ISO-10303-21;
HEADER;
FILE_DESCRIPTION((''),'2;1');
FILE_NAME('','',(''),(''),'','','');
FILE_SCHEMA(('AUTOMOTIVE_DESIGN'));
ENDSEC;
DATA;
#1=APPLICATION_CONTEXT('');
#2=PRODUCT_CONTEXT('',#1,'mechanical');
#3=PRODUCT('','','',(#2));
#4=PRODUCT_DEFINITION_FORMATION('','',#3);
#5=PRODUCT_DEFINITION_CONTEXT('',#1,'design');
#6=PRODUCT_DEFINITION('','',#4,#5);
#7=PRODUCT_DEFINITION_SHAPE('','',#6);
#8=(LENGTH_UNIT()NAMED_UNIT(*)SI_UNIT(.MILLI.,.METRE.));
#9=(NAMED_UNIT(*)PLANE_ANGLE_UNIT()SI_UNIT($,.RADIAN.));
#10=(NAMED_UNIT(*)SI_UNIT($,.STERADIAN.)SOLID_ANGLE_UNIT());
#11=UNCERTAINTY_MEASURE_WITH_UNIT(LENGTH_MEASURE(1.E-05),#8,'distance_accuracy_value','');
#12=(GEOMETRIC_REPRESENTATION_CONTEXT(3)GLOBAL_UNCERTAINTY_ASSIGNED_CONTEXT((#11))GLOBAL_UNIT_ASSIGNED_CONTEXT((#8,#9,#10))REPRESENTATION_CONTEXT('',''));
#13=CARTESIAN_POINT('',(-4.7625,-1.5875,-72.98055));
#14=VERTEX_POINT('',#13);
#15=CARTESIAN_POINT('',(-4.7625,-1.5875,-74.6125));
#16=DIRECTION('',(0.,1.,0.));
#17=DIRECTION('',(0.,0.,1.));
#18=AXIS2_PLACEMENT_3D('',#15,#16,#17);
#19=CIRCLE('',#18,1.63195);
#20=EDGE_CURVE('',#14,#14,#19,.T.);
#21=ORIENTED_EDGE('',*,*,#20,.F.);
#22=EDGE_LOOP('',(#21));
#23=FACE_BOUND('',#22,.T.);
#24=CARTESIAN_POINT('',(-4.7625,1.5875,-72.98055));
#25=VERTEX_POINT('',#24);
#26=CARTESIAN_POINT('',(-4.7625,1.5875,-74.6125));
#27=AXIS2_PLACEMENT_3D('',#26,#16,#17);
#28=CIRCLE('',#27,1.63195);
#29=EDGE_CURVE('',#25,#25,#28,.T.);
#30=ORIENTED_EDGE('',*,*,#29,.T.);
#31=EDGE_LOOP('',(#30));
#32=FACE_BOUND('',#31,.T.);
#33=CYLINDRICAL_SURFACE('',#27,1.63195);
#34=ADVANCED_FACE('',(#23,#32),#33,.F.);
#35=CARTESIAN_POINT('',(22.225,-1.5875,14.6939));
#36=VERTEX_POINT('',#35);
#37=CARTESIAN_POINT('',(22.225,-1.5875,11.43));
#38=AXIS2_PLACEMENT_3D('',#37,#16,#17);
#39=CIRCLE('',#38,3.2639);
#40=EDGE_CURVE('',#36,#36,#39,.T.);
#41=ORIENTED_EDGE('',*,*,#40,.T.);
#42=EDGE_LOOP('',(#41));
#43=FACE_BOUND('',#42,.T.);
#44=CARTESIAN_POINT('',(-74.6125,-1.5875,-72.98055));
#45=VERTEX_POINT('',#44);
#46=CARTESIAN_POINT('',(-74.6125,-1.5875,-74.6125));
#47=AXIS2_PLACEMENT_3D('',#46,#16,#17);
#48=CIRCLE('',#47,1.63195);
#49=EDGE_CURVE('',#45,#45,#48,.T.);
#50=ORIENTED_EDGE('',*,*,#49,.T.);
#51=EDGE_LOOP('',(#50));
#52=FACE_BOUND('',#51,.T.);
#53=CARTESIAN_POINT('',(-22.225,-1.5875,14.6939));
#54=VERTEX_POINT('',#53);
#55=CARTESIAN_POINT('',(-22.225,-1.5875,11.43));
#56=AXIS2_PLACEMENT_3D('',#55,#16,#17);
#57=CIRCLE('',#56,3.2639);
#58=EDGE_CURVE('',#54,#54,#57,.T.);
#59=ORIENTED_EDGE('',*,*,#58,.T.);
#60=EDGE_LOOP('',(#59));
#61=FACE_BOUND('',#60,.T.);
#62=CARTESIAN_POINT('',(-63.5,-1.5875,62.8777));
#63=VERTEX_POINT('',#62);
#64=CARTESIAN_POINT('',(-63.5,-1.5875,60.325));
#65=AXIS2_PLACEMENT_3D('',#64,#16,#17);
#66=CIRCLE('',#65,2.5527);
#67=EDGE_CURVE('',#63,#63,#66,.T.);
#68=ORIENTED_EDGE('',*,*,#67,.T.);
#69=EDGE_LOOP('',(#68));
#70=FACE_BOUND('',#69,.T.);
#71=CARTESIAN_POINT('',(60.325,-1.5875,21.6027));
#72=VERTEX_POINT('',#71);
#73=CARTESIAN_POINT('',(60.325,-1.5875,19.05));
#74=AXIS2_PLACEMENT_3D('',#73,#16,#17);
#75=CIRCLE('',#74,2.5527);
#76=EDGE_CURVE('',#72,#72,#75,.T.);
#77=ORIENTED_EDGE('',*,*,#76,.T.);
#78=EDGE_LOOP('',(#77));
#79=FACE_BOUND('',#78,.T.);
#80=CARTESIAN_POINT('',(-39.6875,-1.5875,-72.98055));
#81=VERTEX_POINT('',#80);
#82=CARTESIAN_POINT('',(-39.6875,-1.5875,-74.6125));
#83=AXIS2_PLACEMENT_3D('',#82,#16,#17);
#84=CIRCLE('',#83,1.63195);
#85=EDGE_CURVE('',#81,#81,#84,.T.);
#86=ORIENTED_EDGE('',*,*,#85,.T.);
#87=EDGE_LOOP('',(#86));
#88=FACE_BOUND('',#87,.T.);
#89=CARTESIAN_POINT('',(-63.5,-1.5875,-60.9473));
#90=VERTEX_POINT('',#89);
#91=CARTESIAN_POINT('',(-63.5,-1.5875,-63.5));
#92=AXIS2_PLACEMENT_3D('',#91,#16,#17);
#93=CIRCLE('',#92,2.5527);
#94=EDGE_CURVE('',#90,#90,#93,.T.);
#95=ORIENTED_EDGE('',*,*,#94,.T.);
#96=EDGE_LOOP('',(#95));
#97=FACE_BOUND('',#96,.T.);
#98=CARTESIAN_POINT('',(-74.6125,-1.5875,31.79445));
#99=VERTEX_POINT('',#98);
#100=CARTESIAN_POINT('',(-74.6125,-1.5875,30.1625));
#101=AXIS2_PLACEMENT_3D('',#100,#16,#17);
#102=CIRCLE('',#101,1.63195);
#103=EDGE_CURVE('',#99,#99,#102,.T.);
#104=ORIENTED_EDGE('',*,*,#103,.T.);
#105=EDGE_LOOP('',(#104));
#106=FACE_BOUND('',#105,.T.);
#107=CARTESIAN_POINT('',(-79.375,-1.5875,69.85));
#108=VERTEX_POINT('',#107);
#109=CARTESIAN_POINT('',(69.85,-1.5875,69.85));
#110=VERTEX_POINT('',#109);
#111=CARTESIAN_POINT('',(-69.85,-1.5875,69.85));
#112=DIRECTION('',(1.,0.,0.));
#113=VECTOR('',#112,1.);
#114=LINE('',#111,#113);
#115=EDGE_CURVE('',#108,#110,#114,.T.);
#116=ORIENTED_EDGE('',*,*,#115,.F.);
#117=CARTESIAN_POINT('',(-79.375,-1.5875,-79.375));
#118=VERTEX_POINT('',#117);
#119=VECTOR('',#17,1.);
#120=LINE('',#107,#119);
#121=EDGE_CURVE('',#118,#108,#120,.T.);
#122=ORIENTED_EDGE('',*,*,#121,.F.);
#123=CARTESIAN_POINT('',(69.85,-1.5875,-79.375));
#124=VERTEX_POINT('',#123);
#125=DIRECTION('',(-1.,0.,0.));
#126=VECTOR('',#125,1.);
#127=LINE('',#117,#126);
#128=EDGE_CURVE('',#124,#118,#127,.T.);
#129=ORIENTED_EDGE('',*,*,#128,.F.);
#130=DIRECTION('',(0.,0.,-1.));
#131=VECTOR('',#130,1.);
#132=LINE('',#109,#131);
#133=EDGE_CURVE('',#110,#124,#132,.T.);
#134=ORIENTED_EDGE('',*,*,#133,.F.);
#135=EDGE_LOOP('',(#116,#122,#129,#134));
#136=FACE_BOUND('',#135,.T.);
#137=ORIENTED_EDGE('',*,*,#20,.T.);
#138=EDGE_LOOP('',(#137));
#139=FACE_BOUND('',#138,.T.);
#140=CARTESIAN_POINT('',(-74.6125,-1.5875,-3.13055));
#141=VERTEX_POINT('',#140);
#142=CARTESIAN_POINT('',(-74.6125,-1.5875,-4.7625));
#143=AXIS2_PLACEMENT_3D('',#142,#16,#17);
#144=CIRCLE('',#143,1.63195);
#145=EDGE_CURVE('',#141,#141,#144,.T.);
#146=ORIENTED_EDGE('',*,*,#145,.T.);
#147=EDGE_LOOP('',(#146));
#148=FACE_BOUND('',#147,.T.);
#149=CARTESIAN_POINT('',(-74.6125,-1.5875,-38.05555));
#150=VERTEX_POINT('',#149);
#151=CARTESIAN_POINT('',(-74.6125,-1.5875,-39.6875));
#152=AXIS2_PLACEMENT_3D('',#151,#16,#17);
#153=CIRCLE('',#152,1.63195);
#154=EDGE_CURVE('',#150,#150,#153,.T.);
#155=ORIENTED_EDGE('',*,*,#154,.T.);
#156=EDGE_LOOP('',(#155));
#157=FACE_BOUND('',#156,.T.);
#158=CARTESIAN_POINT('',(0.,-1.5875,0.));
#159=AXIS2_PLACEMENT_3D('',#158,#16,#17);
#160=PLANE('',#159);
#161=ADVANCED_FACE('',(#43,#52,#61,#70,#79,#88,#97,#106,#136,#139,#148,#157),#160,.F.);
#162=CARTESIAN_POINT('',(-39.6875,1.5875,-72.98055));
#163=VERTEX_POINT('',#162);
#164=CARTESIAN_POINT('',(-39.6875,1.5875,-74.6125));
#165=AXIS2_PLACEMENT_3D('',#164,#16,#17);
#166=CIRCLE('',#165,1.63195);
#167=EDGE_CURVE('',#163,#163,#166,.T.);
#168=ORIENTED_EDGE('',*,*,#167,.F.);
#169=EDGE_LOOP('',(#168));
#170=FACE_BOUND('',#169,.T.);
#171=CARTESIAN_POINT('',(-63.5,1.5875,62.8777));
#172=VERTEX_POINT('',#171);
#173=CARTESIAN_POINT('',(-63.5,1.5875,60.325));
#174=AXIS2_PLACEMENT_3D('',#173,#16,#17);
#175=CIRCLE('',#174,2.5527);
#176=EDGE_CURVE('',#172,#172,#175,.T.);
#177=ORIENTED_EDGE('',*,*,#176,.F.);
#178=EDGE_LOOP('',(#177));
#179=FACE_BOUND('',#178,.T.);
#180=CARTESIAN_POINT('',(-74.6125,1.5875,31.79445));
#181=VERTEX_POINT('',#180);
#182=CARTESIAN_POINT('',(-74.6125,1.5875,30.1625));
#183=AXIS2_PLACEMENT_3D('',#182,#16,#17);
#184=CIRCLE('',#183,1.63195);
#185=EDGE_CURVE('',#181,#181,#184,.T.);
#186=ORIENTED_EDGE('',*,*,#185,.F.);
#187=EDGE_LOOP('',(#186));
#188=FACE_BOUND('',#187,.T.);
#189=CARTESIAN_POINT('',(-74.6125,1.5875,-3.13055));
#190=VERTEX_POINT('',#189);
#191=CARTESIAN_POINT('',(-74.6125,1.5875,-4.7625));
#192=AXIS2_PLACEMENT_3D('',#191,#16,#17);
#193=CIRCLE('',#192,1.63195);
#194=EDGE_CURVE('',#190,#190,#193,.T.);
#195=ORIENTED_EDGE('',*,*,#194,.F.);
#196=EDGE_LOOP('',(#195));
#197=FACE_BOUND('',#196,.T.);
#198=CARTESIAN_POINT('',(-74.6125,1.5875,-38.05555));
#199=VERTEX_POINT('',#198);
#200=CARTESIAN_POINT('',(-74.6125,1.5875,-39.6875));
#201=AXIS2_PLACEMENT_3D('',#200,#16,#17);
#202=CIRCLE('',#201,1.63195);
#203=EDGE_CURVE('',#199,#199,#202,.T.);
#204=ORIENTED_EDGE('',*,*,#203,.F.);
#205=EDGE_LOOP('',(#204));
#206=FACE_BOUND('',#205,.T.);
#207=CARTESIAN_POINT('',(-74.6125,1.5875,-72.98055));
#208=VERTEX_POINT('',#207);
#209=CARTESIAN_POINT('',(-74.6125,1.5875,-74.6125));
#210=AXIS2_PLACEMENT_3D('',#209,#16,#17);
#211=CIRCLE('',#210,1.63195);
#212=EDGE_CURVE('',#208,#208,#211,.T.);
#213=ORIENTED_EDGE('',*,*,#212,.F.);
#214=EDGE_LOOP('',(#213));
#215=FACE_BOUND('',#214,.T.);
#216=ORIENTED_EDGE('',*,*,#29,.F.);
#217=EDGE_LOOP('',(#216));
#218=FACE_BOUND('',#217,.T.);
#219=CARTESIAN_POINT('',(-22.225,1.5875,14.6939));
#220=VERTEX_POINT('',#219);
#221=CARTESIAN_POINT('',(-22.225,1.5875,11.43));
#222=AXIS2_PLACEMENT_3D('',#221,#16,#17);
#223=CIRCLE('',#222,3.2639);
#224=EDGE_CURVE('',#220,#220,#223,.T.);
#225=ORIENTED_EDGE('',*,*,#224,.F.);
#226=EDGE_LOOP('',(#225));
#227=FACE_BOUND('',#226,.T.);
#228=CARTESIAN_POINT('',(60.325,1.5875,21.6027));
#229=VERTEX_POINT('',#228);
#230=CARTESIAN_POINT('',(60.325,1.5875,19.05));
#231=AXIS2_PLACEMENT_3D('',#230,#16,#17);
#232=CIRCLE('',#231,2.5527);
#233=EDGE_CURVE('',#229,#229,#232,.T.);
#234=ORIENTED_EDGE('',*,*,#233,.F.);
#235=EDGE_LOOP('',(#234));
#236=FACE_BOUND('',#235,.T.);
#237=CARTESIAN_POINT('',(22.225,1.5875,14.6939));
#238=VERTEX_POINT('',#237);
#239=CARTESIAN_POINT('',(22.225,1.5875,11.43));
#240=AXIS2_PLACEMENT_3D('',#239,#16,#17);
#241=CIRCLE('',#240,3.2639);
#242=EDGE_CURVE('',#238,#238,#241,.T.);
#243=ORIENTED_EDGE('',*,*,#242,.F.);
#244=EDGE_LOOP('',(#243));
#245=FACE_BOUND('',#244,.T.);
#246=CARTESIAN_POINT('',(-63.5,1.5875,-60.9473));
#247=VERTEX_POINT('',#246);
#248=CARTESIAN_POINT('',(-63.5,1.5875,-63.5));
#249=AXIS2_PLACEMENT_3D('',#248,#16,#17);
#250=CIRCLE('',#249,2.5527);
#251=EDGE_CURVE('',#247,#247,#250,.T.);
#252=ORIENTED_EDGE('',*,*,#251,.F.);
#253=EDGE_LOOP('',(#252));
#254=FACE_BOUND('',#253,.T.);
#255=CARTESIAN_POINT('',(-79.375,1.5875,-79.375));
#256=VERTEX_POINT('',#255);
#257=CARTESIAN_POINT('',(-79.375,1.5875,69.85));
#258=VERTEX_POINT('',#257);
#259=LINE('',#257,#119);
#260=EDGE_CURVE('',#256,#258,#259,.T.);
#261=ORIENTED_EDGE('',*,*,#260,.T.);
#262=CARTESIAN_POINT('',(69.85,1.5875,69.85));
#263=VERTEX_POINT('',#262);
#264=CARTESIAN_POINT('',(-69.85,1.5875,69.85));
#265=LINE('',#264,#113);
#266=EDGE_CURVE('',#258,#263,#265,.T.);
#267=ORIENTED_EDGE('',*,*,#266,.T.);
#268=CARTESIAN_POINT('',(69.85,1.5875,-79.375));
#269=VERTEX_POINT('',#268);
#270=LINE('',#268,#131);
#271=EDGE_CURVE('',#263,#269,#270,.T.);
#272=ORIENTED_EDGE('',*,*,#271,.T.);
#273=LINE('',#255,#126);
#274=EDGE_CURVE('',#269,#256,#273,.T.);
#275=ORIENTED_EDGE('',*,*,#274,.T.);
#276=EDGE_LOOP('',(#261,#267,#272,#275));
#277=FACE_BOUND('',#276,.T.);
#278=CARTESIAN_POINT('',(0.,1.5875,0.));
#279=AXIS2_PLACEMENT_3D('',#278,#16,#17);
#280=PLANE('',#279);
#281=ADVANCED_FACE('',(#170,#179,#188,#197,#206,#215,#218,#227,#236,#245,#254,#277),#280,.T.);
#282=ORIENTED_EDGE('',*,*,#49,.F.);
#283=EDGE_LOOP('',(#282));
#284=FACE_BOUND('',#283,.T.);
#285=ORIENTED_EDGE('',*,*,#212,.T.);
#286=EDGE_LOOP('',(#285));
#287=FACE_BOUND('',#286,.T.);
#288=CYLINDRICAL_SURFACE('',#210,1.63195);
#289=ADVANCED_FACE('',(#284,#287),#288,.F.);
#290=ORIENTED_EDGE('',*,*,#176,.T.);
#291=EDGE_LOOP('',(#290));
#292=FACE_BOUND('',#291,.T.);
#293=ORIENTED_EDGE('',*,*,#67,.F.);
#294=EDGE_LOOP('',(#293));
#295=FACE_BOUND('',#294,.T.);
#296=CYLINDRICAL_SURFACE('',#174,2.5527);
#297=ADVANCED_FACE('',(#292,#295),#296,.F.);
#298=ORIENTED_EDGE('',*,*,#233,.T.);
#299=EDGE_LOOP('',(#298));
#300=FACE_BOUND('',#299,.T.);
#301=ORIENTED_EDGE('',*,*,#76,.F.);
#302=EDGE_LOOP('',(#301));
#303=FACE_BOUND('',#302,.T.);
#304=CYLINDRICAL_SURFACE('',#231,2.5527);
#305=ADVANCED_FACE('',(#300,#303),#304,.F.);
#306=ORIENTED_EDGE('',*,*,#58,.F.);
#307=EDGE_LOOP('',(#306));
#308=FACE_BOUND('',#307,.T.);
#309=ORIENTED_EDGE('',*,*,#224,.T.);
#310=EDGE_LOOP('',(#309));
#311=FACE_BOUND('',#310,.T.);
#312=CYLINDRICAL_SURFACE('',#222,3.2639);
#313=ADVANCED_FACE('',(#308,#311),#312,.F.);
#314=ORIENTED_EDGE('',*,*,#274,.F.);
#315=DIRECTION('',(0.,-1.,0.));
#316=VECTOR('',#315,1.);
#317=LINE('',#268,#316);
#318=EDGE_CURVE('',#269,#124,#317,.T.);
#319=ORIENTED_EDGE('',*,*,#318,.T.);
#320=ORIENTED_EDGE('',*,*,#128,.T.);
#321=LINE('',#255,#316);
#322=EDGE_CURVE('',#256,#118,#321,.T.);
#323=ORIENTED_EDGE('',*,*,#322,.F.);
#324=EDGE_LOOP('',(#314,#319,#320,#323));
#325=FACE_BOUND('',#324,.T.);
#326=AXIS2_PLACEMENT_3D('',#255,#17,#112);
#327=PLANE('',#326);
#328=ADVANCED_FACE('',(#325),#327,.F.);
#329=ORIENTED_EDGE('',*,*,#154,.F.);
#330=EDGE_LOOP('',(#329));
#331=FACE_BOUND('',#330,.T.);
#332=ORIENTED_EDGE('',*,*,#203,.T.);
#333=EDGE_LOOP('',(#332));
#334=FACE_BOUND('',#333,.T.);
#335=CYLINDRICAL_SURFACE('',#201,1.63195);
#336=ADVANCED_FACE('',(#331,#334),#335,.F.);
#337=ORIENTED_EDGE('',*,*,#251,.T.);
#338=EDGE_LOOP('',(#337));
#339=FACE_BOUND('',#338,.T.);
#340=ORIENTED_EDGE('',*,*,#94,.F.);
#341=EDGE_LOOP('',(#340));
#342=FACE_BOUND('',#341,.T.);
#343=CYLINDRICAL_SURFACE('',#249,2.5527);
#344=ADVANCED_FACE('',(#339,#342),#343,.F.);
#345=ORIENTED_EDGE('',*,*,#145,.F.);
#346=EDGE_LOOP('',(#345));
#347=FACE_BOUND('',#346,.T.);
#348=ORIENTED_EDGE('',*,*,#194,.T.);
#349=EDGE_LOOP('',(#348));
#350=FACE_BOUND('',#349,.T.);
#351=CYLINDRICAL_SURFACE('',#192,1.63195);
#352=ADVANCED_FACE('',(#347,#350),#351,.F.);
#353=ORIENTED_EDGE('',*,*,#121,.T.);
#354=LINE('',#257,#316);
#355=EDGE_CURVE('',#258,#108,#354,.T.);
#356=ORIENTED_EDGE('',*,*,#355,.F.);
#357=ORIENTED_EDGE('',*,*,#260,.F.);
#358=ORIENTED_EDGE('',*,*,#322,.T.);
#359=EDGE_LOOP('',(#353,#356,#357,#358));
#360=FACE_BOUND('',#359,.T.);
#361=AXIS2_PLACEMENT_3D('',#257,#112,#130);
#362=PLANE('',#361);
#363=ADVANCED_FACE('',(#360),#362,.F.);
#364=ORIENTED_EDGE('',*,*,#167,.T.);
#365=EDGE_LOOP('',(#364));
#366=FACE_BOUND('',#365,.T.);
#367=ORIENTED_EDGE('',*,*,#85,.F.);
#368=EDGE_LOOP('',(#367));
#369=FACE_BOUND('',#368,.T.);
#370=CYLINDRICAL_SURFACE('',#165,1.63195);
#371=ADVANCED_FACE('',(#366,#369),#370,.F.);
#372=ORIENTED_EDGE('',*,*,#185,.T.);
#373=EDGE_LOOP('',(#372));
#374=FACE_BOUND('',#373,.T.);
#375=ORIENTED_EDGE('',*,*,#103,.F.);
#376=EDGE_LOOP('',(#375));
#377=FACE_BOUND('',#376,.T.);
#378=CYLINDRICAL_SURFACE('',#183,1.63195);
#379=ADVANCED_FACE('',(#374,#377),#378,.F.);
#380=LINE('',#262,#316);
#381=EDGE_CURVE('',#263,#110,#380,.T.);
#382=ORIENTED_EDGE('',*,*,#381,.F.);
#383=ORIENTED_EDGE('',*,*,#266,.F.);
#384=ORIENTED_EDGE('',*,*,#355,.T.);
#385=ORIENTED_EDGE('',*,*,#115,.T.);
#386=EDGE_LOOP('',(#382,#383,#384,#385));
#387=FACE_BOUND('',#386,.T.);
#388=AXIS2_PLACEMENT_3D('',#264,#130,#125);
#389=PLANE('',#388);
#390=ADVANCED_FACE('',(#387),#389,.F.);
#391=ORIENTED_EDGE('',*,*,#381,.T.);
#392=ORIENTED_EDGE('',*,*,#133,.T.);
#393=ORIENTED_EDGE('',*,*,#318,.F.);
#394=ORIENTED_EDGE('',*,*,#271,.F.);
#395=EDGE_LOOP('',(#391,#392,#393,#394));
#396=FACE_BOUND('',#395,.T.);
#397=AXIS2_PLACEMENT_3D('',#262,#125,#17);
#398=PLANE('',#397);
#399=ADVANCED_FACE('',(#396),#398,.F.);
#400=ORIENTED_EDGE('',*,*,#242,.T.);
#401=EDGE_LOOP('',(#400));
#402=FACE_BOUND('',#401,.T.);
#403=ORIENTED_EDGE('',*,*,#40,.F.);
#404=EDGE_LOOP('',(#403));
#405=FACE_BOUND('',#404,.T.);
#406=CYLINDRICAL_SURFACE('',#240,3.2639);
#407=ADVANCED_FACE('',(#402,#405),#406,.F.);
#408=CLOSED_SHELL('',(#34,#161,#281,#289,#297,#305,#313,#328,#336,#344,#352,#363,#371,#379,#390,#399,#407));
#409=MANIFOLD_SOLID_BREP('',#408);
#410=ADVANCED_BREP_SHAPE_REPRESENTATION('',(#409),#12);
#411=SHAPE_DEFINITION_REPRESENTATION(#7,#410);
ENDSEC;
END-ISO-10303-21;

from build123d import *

# Parameters (mm, degrees)
BOSS_EXTRUDE1_DEPTH     = 1.5875
F_4_CLEARANCE_HOLE1_D   = 3.2639
F_10_CLEARANCE_HOLE1_D  = 5.1054
F_1_4_CLEARANCE_HOLE1_D = 6.5278


with BuildPart() as part:
    # Sketch1 → Boss-Extrude1 (new, symmetric)
    with BuildSketch(Plane(origin=(0, 0, 0), x_dir=(1, 0, 0), z_dir=(0, 1, 0))):
        Polygon((-69.85, -69.85), (-79.375, -69.85), (-79.375, 79.375), (69.85, 79.375), (69.85, 69.85), (69.85, -69.85), align=None)
    extrude(amount=BOSS_EXTRUDE1_DEPTH, both=True)

    # #4 Clearance Hole1 (through all)
    with Locations(Plane(origin=(0, 1.5875, 0), x_dir=(1, 0, 0), z_dir=(0, 1, 0))):
        with Locations((-74.6125, 4.7625), (-74.6125, 39.6875), (-74.6125, 74.6125), (-39.6875, 74.6125), (-4.7625, 74.6125), (-74.6125, -30.1625)):
            Hole(F_4_CLEARANCE_HOLE1_D / 2)

    # #10 Clearance Hole1 (through all)
    with Locations(Plane(origin=(0, 1.5875, 0), x_dir=(1, 0, 0), z_dir=(0, 1, 0))):
        with Locations((-63.5, -60.325), (-63.5, 63.5), (60.325, -19.05), (-22.225, -11.43), (22.225, -11.43)):
            Hole(F_10_CLEARANCE_HOLE1_D / 2)

    # 1/4 Clearance Hole1 (through all)
    with Locations(Plane(origin=(0, 1.5875, 0), x_dir=(1, 0, 0), z_dir=(0, 1, 0))):
        with Locations((-22.225, -11.43), (22.225, -11.43)):
            Hole(F_1_4_CLEARANCE_HOLE1_D / 2)


solid = part.part
